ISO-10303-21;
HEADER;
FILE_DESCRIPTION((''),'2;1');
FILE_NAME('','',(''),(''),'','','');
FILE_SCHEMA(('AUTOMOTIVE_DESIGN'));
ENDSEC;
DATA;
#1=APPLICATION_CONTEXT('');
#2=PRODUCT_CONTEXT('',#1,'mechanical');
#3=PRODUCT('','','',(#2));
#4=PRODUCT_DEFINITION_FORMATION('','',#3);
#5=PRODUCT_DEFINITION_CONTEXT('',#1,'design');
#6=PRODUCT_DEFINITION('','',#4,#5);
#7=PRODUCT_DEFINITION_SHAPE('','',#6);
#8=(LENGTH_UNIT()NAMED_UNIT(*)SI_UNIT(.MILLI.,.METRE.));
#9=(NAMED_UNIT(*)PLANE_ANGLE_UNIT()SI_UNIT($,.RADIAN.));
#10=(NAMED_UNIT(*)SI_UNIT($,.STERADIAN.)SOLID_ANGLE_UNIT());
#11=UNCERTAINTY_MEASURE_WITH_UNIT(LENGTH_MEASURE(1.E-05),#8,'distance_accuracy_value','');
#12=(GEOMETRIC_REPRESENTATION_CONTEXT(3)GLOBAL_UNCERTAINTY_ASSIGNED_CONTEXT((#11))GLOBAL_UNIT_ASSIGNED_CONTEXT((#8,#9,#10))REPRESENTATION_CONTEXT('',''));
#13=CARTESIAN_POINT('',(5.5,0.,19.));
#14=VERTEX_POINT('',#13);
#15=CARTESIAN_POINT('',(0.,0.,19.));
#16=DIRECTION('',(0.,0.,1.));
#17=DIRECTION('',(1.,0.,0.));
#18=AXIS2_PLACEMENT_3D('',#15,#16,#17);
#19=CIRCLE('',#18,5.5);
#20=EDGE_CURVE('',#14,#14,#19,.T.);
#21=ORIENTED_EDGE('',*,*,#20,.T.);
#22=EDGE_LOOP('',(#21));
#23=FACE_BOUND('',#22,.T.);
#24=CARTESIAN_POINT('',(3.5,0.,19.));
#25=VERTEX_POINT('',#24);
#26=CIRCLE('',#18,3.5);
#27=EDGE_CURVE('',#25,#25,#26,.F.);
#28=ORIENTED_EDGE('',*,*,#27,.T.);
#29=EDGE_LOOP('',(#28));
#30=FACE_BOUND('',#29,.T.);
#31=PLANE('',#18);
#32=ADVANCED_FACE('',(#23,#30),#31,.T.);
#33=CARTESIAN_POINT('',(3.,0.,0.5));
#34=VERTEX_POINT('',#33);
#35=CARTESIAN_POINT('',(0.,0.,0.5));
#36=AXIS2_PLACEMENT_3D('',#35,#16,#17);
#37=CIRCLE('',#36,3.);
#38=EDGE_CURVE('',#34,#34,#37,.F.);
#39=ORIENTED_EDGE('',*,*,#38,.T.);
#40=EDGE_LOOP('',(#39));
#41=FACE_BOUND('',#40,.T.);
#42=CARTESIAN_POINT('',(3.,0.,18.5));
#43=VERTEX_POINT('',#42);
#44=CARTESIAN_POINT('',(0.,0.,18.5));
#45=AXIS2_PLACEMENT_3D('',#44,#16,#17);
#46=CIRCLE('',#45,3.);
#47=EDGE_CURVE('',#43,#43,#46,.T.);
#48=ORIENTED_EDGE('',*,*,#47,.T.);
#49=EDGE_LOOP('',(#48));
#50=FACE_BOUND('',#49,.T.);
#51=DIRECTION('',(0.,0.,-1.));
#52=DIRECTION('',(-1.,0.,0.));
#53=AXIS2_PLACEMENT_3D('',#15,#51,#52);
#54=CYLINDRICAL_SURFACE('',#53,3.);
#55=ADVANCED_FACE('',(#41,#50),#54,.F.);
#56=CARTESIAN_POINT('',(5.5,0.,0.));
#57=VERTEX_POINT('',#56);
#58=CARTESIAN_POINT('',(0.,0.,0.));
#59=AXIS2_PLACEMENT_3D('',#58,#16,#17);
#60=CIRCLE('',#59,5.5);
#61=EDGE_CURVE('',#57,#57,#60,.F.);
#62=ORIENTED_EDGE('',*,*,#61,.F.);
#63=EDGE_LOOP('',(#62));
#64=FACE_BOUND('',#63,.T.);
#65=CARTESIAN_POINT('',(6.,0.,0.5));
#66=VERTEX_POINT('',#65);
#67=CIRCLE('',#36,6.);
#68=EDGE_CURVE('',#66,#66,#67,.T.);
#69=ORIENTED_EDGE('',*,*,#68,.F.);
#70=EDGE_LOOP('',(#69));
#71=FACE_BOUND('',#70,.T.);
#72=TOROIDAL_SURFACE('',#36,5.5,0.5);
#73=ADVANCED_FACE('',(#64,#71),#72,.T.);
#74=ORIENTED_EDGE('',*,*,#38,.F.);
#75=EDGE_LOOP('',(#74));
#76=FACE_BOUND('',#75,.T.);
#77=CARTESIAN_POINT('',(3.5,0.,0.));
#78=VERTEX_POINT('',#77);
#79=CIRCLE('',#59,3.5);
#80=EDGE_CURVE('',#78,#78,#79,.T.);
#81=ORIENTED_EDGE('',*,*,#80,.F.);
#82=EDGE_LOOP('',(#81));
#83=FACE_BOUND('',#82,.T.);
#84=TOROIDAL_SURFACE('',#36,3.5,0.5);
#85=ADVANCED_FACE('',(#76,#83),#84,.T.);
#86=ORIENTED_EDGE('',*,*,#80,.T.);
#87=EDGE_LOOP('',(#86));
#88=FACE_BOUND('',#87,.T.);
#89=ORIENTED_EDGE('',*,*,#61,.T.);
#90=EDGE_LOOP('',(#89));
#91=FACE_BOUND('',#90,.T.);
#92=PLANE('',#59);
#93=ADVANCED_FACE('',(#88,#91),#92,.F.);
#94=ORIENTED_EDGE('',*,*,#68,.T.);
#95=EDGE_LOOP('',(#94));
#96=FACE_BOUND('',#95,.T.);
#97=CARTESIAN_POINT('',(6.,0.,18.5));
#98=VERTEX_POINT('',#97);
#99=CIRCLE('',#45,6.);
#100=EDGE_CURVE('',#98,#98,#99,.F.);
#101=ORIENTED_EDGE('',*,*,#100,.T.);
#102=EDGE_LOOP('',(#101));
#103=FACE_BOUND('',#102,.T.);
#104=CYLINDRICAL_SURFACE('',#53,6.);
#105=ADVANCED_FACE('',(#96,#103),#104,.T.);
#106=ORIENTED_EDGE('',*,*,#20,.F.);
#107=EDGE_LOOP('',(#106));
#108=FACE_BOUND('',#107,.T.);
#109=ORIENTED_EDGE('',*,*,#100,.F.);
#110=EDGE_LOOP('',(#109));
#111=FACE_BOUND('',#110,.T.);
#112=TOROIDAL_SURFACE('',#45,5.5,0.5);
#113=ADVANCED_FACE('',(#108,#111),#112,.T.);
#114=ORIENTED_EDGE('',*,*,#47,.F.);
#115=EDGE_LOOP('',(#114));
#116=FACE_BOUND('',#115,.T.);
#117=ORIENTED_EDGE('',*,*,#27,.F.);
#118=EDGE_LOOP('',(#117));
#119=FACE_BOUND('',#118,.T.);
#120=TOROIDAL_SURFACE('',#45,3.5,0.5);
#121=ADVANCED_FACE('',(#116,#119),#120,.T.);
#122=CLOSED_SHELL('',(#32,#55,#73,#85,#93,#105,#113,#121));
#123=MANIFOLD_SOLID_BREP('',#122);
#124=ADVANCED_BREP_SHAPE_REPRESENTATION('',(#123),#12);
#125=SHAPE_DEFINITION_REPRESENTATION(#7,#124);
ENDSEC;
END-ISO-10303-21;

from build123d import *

# Parameters (mm, degrees)
SKETCH_1_R      = 6
SKETCH_1_R_2    = 3
EXTRUDE_1_DEPTH = 19
FILLET_1_R      = 0.5


with BuildPart() as part:
    # 草图1 → 凸台-拉伸1 (new body)
    with BuildSketch(Plane.XY):
        Circle(SKETCH_1_R)
        Circle(SKETCH_1_R_2, mode=Mode.SUBTRACT)
    extrude(amount=EXTRUDE_1_DEPTH)

    # 圆角1
    fillet_1_edges = [part.edges().sort_by_distance(p)[0] for p in [
        (-6, 0, 0),
        (-6, 0, 19),
        (-3, 0, 0),
        (-3, 0, 19),
    ]]
    fillet(fillet_1_edges, radius=FILLET_1_R)


solid = part.part
